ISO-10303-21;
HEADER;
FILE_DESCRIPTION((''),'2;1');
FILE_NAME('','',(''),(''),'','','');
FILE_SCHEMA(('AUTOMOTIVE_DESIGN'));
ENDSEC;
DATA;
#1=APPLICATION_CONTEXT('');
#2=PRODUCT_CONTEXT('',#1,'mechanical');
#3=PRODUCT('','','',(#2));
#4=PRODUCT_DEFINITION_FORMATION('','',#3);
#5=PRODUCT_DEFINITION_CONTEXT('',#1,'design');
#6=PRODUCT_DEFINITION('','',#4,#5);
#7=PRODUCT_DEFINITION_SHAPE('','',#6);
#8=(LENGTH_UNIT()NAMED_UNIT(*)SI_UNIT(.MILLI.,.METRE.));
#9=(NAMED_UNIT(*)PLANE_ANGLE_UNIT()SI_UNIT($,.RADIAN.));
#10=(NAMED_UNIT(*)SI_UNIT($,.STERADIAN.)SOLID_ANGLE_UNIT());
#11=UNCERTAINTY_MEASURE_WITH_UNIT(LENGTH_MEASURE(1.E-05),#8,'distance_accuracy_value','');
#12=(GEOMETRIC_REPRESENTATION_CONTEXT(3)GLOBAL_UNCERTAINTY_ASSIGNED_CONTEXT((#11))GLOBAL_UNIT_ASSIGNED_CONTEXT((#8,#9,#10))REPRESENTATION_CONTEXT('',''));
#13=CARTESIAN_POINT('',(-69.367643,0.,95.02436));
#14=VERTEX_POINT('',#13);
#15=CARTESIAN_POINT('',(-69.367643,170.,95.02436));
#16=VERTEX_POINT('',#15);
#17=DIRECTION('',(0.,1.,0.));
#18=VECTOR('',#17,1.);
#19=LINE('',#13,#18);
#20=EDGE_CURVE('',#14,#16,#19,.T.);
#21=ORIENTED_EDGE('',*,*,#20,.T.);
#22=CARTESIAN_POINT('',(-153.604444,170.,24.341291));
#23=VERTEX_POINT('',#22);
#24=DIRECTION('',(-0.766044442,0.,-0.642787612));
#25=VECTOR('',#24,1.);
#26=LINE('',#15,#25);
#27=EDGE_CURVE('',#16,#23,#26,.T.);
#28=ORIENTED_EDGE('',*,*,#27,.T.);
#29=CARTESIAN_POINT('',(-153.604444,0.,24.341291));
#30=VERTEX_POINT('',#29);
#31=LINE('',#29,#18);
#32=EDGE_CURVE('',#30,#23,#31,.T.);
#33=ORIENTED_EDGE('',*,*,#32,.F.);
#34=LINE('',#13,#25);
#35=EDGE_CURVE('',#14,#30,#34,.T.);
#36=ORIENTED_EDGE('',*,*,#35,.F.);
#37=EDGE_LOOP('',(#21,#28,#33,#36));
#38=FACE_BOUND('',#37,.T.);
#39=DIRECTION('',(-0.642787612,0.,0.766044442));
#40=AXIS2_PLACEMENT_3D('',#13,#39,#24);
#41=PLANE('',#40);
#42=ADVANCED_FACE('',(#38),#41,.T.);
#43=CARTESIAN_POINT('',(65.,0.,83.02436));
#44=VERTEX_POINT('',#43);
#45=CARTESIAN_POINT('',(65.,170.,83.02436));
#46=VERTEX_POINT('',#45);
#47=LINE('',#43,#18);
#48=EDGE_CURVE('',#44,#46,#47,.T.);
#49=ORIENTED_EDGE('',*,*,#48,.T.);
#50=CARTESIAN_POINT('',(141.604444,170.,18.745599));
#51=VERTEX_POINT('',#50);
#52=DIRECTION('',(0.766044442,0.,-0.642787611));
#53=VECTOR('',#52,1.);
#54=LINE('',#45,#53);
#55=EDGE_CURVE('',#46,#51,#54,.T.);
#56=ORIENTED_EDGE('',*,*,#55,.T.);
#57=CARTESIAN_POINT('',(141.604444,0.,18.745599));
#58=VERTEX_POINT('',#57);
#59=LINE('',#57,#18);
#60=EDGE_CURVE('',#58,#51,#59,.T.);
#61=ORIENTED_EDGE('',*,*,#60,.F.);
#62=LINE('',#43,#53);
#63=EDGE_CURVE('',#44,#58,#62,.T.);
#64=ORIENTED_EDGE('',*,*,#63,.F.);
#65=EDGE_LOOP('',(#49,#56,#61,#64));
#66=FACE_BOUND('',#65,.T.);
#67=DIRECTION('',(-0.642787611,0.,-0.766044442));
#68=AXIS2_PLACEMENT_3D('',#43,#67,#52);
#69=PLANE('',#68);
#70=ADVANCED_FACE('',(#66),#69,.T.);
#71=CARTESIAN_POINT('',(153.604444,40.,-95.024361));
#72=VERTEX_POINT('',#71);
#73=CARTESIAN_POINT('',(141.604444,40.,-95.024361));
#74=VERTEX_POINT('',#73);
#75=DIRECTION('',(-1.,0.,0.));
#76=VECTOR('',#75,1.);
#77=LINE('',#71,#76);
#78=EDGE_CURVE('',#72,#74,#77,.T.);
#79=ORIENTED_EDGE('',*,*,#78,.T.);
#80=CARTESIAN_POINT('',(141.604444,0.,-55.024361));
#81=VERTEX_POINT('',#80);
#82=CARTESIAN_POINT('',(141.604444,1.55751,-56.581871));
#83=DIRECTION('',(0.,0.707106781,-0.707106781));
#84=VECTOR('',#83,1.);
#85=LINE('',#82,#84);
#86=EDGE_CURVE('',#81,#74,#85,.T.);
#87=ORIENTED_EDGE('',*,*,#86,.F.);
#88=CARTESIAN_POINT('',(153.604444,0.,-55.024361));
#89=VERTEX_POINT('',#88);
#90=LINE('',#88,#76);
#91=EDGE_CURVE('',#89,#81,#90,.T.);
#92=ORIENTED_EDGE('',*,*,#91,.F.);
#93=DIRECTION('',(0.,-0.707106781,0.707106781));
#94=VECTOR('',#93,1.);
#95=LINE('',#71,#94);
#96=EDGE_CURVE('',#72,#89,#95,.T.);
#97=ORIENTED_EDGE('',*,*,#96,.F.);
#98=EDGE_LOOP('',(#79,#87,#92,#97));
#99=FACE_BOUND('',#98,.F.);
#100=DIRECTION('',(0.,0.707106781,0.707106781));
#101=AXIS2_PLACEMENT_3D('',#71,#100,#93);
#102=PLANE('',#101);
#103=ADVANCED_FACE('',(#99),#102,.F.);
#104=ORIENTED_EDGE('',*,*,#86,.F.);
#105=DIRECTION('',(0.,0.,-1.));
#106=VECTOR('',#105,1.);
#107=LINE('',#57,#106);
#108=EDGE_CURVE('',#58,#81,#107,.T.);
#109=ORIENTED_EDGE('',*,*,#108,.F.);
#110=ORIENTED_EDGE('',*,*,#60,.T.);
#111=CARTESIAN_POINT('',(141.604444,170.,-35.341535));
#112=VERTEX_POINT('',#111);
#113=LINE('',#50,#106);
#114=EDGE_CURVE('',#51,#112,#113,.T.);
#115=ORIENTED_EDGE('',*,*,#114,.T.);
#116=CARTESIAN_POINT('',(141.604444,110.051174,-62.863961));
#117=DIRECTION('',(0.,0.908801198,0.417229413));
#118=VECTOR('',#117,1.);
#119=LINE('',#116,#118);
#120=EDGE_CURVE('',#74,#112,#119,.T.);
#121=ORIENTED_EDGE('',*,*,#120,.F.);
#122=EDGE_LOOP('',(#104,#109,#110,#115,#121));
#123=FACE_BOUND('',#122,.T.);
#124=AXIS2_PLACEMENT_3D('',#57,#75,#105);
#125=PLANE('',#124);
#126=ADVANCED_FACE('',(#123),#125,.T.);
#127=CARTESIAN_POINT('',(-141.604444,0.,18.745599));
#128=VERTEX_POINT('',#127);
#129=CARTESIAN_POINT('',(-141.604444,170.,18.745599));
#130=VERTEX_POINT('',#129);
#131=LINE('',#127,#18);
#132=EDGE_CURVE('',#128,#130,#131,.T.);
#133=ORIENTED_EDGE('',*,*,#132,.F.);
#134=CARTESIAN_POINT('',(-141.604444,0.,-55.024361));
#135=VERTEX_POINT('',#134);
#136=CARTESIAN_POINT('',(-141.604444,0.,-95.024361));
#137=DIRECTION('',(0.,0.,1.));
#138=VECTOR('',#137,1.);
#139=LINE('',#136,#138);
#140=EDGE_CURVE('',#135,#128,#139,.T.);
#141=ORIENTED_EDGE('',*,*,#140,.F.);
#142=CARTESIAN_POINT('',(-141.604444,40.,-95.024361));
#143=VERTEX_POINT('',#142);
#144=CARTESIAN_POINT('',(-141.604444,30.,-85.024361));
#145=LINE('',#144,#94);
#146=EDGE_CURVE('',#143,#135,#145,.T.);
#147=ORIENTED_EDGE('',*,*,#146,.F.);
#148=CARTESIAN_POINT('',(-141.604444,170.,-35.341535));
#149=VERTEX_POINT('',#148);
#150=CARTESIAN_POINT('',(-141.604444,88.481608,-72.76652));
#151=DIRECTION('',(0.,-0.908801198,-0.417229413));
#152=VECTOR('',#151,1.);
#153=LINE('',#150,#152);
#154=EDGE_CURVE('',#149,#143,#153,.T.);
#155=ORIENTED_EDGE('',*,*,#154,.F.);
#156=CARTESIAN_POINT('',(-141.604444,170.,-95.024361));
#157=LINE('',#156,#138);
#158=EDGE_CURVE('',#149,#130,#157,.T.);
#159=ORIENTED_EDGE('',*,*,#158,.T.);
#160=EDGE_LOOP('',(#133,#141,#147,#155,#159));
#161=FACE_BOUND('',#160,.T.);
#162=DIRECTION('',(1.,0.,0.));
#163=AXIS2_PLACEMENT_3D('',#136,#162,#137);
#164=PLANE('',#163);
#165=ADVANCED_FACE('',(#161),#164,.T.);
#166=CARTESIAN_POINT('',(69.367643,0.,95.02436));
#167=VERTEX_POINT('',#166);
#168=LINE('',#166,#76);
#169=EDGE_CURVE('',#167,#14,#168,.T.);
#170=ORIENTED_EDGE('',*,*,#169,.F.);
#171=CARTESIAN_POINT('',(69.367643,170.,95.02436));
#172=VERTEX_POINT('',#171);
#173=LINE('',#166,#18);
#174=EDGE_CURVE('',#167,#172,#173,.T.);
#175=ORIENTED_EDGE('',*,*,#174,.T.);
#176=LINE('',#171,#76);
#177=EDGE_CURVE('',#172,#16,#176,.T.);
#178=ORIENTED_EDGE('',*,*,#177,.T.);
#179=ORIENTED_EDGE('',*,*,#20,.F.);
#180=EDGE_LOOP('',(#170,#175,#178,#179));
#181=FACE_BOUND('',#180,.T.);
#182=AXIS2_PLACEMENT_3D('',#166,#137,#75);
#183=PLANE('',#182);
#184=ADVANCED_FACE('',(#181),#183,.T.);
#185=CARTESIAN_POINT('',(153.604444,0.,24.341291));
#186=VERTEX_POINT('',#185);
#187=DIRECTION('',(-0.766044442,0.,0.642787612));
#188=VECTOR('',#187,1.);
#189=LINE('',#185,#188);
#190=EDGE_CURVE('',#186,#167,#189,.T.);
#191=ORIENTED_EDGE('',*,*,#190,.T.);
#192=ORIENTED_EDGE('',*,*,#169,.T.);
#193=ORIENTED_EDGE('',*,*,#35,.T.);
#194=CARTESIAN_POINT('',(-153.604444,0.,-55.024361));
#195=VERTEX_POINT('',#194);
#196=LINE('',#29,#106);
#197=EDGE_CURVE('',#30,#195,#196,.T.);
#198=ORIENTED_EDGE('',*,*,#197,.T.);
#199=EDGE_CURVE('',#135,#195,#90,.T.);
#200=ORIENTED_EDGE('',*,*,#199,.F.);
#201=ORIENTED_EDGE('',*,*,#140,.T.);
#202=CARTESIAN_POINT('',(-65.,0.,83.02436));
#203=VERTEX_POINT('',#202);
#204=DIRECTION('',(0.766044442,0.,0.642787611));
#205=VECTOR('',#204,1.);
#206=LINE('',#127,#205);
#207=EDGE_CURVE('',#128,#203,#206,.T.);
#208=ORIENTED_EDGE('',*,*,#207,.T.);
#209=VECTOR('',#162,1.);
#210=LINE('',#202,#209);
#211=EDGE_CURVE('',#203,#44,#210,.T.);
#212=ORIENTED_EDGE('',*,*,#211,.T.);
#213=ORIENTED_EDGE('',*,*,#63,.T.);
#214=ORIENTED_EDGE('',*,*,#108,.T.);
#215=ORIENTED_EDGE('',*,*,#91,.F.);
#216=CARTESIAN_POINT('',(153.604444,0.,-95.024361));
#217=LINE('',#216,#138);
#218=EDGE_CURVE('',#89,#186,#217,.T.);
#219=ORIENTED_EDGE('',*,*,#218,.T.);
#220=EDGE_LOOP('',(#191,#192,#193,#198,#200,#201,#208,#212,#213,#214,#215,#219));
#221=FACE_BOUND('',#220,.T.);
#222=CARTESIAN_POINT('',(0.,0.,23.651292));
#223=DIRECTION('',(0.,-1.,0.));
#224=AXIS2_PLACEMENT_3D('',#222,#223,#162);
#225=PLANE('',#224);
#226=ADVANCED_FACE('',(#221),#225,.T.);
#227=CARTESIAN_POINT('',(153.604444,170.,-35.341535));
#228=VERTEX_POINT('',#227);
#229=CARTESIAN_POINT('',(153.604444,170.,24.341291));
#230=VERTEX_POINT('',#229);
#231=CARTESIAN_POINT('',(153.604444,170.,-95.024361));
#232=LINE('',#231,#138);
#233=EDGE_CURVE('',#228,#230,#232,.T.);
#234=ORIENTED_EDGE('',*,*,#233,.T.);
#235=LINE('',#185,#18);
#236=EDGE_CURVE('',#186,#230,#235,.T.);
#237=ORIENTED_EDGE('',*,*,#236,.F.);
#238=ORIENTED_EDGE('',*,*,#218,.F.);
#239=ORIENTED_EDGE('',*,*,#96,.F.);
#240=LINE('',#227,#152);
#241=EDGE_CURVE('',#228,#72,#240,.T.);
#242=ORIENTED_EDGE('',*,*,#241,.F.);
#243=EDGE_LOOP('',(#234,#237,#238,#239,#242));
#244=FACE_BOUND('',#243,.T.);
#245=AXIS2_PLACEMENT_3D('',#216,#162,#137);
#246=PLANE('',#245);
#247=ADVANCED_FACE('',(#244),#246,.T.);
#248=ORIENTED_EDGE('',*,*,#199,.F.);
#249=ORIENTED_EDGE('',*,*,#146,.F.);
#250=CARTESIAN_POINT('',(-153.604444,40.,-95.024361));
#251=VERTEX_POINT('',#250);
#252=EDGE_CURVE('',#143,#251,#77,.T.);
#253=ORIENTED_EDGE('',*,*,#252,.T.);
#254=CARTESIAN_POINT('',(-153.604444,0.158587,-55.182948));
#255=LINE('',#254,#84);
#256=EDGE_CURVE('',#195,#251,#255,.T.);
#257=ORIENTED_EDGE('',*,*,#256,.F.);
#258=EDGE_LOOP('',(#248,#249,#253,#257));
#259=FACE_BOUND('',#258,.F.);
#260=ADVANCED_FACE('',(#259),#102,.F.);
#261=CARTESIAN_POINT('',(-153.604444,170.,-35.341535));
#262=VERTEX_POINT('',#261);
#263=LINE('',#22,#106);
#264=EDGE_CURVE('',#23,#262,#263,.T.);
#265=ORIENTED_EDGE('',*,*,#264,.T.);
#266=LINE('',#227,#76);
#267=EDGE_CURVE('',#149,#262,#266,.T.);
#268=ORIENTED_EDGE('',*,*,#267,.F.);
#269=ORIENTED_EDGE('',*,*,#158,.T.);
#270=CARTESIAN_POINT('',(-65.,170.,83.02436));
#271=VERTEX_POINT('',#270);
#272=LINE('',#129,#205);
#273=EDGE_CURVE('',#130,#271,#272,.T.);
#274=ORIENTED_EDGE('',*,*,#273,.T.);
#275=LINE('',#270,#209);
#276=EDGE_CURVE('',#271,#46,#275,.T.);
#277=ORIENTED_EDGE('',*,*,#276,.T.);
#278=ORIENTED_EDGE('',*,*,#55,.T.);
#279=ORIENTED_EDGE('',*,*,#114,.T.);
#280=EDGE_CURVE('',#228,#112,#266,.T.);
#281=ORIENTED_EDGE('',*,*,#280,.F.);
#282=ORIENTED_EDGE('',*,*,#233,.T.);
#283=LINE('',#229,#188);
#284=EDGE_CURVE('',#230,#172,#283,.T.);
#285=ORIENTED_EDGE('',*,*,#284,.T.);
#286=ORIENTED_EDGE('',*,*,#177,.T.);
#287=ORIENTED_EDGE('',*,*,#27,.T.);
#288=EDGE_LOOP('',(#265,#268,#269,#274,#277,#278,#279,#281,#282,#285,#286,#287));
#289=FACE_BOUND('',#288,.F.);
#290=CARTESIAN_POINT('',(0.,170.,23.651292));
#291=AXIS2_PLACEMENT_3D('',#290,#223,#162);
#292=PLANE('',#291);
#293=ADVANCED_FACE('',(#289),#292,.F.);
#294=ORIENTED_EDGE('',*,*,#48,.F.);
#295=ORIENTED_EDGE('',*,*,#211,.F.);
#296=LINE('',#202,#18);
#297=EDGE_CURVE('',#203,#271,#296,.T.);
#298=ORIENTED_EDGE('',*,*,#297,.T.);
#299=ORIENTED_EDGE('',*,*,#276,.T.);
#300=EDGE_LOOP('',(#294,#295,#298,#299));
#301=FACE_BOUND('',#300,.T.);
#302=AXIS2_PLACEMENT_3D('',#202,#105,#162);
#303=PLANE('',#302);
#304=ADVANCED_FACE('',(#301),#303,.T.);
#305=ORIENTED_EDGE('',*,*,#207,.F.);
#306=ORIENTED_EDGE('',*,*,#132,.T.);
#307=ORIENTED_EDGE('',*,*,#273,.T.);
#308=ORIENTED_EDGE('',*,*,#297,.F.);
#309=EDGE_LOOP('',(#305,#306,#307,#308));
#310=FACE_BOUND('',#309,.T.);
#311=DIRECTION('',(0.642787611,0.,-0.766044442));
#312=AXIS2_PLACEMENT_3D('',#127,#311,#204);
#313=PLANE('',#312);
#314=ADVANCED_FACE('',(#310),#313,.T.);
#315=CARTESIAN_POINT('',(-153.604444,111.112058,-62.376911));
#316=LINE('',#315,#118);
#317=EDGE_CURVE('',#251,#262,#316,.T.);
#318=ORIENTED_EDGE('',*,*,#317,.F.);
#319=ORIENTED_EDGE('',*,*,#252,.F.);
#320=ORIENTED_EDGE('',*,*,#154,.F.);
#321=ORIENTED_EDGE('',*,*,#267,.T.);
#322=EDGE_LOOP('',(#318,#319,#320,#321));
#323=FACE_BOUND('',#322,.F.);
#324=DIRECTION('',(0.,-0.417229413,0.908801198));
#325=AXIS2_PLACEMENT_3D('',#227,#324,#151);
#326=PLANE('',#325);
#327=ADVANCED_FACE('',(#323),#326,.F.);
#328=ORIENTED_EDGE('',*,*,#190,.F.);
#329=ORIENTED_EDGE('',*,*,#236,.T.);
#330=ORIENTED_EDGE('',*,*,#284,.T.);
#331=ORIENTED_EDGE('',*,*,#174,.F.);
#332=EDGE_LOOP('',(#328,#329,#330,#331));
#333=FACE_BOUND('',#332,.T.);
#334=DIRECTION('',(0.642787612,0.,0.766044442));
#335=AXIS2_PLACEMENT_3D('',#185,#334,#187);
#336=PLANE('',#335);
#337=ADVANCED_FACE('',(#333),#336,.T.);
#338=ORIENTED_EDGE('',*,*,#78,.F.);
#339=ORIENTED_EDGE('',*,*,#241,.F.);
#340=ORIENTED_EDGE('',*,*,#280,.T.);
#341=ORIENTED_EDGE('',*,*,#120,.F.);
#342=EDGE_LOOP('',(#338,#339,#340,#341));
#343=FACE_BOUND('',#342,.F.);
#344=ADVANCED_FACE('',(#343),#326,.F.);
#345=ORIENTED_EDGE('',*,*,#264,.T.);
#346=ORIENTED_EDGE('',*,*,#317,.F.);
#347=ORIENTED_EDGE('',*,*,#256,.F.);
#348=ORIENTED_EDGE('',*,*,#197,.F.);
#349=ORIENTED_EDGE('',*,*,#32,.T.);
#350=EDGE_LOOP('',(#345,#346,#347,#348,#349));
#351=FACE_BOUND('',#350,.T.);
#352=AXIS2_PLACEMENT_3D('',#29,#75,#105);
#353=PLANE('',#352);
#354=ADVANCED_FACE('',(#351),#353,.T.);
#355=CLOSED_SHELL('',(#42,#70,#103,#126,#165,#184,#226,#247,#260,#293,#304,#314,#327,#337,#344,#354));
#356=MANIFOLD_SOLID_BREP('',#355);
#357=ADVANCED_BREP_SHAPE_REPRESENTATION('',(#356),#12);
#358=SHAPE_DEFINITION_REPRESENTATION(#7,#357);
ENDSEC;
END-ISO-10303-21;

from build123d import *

# Parameters (mm, degrees)
F1_DEPTH = 170
F3_DEPTH = 350
F5_DEPTH = 400


with BuildPart() as f1:
    # F0 (on Front) → F1 (new body)
    with BuildSketch(Plane.XZ):
        Polygon((-141.604444, 18.745599), (-65, 83.02436), (65, 83.02436), (141.604444, 18.745599), (141.604444, -95.024361), (153.604444, -95.024361), (153.604444, 24.341291), (69.367643, 95.02436), (-69.367643, 95.02436), (-153.604444, 24.341291), (-153.604444, -95.024361), (-141.604444, -95.024361), align=None)
    extrude(amount=-F1_DEPTH)

    # F2 (on face) → F3 (cut)
    with BuildSketch(Plane.YZ.offset(153.604444)):
        Polygon((170, -35.341535), (40, -95.024361), (170, -95.024361), align=None)
    extrude(amount=-F3_DEPTH, mode=Mode.SUBTRACT)

    # F4 (on face) → F5 (cut)
    with BuildSketch(Plane.YZ.offset(153.604444)):
        Polygon((0, -95.024361), (40, -95.024361), (0, -55.024361), align=None)
    extrude(amount=-F5_DEPTH, mode=Mode.SUBTRACT)


solid = f1.part
